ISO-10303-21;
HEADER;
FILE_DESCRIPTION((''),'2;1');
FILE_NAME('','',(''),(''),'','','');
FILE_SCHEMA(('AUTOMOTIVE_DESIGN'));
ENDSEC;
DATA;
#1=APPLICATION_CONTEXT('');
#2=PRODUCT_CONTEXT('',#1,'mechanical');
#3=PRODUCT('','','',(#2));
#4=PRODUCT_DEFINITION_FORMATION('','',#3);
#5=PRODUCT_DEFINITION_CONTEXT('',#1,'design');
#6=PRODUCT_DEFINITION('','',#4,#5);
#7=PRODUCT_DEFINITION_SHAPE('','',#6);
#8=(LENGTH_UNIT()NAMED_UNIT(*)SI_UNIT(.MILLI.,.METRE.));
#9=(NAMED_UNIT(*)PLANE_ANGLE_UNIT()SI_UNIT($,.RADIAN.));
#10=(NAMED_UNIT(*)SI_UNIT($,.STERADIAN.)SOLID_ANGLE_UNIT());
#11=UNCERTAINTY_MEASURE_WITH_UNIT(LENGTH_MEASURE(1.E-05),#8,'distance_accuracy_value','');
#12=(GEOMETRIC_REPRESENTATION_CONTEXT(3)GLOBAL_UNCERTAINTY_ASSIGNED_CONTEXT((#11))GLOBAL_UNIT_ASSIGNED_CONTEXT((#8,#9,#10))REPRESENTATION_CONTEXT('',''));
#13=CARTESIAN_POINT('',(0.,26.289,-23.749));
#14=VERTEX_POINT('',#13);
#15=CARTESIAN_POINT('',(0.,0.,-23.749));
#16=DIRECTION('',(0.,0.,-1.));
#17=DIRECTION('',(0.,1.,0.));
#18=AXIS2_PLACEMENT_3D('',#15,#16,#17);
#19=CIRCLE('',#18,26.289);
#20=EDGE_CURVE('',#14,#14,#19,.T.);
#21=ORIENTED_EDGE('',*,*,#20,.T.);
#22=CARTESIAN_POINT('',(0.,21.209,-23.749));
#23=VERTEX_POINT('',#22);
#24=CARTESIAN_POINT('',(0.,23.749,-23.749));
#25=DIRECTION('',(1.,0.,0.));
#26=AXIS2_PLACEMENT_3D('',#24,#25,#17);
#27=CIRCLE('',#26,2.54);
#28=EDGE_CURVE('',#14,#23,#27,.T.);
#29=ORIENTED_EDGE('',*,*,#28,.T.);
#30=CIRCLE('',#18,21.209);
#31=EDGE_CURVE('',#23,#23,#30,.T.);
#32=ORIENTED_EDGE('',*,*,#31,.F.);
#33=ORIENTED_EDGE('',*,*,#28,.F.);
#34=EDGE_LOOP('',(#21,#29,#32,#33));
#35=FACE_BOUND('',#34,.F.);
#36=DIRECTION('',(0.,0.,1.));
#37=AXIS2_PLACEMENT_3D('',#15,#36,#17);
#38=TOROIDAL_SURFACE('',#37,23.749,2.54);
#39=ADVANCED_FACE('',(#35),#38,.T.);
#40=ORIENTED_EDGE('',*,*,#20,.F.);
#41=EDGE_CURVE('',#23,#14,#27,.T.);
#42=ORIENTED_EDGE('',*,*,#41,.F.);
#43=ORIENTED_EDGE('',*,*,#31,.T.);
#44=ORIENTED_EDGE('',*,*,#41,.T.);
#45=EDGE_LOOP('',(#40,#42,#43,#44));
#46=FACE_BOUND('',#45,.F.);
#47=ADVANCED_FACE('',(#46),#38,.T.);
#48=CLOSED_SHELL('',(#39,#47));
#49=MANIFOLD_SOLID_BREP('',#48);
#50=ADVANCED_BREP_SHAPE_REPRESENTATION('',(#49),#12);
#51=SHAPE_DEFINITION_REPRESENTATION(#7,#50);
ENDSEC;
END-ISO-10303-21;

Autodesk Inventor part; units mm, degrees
ref_plane "YZ Plane" through (0, 0, 0) normal (1, 0, 0) x (0, 1, 0)
ref_plane "XZ Plane" through (0, 0, 0) normal (0, 1, 0) x (-1, 0, 0)
ref_plane "XY Plane" through (0, 0, 0) normal (0, 0, 1) x (1, 0, 0)
sketch "Sketch1" plane through (0, 0, 0) normal (1, 0, 0) x (0, 1, 0)
  line L0 (0, 0) -> (0, -47.498)
  line L1 (0, -23.749) -> (23.749, -23.749)
  circle A0 centre (23.749, -23.749) radius 2.54
  dimension "d0" = 47.498
  dimension "d1" = 23.749
  dimension "d2" = 5.08
revolve "Revolution1" add sketch "Sketch1" angle 360 about axis through (0, 0, 0) along (0, 0, -1)
sketch "Sketch2" plane through (0, 0, 0) normal (0, 0, 1) x (1, 0, 0)
  circle A0 centre (0, 0) radius 26.289 projected
  line L0 (0, 26.289) -> (0, -26.289) construction
  circle A1 centre (0, 0) radius 26.289 projected
  dimension "d5" = 52.578
sketch "Sketch3" plane through (0, 0, 0) normal (0, 0, 1) x (1, 0, 0)
  circle A0 centre (0, 0) radius 21.209 projected
  line L0 (0, -21.209) -> (0, -26.289) construction
  circle A1 centre (0, 0) radius 26.289 projected
  dimension "d6" = 5.08
properties part number "msheehan_ring_small"
